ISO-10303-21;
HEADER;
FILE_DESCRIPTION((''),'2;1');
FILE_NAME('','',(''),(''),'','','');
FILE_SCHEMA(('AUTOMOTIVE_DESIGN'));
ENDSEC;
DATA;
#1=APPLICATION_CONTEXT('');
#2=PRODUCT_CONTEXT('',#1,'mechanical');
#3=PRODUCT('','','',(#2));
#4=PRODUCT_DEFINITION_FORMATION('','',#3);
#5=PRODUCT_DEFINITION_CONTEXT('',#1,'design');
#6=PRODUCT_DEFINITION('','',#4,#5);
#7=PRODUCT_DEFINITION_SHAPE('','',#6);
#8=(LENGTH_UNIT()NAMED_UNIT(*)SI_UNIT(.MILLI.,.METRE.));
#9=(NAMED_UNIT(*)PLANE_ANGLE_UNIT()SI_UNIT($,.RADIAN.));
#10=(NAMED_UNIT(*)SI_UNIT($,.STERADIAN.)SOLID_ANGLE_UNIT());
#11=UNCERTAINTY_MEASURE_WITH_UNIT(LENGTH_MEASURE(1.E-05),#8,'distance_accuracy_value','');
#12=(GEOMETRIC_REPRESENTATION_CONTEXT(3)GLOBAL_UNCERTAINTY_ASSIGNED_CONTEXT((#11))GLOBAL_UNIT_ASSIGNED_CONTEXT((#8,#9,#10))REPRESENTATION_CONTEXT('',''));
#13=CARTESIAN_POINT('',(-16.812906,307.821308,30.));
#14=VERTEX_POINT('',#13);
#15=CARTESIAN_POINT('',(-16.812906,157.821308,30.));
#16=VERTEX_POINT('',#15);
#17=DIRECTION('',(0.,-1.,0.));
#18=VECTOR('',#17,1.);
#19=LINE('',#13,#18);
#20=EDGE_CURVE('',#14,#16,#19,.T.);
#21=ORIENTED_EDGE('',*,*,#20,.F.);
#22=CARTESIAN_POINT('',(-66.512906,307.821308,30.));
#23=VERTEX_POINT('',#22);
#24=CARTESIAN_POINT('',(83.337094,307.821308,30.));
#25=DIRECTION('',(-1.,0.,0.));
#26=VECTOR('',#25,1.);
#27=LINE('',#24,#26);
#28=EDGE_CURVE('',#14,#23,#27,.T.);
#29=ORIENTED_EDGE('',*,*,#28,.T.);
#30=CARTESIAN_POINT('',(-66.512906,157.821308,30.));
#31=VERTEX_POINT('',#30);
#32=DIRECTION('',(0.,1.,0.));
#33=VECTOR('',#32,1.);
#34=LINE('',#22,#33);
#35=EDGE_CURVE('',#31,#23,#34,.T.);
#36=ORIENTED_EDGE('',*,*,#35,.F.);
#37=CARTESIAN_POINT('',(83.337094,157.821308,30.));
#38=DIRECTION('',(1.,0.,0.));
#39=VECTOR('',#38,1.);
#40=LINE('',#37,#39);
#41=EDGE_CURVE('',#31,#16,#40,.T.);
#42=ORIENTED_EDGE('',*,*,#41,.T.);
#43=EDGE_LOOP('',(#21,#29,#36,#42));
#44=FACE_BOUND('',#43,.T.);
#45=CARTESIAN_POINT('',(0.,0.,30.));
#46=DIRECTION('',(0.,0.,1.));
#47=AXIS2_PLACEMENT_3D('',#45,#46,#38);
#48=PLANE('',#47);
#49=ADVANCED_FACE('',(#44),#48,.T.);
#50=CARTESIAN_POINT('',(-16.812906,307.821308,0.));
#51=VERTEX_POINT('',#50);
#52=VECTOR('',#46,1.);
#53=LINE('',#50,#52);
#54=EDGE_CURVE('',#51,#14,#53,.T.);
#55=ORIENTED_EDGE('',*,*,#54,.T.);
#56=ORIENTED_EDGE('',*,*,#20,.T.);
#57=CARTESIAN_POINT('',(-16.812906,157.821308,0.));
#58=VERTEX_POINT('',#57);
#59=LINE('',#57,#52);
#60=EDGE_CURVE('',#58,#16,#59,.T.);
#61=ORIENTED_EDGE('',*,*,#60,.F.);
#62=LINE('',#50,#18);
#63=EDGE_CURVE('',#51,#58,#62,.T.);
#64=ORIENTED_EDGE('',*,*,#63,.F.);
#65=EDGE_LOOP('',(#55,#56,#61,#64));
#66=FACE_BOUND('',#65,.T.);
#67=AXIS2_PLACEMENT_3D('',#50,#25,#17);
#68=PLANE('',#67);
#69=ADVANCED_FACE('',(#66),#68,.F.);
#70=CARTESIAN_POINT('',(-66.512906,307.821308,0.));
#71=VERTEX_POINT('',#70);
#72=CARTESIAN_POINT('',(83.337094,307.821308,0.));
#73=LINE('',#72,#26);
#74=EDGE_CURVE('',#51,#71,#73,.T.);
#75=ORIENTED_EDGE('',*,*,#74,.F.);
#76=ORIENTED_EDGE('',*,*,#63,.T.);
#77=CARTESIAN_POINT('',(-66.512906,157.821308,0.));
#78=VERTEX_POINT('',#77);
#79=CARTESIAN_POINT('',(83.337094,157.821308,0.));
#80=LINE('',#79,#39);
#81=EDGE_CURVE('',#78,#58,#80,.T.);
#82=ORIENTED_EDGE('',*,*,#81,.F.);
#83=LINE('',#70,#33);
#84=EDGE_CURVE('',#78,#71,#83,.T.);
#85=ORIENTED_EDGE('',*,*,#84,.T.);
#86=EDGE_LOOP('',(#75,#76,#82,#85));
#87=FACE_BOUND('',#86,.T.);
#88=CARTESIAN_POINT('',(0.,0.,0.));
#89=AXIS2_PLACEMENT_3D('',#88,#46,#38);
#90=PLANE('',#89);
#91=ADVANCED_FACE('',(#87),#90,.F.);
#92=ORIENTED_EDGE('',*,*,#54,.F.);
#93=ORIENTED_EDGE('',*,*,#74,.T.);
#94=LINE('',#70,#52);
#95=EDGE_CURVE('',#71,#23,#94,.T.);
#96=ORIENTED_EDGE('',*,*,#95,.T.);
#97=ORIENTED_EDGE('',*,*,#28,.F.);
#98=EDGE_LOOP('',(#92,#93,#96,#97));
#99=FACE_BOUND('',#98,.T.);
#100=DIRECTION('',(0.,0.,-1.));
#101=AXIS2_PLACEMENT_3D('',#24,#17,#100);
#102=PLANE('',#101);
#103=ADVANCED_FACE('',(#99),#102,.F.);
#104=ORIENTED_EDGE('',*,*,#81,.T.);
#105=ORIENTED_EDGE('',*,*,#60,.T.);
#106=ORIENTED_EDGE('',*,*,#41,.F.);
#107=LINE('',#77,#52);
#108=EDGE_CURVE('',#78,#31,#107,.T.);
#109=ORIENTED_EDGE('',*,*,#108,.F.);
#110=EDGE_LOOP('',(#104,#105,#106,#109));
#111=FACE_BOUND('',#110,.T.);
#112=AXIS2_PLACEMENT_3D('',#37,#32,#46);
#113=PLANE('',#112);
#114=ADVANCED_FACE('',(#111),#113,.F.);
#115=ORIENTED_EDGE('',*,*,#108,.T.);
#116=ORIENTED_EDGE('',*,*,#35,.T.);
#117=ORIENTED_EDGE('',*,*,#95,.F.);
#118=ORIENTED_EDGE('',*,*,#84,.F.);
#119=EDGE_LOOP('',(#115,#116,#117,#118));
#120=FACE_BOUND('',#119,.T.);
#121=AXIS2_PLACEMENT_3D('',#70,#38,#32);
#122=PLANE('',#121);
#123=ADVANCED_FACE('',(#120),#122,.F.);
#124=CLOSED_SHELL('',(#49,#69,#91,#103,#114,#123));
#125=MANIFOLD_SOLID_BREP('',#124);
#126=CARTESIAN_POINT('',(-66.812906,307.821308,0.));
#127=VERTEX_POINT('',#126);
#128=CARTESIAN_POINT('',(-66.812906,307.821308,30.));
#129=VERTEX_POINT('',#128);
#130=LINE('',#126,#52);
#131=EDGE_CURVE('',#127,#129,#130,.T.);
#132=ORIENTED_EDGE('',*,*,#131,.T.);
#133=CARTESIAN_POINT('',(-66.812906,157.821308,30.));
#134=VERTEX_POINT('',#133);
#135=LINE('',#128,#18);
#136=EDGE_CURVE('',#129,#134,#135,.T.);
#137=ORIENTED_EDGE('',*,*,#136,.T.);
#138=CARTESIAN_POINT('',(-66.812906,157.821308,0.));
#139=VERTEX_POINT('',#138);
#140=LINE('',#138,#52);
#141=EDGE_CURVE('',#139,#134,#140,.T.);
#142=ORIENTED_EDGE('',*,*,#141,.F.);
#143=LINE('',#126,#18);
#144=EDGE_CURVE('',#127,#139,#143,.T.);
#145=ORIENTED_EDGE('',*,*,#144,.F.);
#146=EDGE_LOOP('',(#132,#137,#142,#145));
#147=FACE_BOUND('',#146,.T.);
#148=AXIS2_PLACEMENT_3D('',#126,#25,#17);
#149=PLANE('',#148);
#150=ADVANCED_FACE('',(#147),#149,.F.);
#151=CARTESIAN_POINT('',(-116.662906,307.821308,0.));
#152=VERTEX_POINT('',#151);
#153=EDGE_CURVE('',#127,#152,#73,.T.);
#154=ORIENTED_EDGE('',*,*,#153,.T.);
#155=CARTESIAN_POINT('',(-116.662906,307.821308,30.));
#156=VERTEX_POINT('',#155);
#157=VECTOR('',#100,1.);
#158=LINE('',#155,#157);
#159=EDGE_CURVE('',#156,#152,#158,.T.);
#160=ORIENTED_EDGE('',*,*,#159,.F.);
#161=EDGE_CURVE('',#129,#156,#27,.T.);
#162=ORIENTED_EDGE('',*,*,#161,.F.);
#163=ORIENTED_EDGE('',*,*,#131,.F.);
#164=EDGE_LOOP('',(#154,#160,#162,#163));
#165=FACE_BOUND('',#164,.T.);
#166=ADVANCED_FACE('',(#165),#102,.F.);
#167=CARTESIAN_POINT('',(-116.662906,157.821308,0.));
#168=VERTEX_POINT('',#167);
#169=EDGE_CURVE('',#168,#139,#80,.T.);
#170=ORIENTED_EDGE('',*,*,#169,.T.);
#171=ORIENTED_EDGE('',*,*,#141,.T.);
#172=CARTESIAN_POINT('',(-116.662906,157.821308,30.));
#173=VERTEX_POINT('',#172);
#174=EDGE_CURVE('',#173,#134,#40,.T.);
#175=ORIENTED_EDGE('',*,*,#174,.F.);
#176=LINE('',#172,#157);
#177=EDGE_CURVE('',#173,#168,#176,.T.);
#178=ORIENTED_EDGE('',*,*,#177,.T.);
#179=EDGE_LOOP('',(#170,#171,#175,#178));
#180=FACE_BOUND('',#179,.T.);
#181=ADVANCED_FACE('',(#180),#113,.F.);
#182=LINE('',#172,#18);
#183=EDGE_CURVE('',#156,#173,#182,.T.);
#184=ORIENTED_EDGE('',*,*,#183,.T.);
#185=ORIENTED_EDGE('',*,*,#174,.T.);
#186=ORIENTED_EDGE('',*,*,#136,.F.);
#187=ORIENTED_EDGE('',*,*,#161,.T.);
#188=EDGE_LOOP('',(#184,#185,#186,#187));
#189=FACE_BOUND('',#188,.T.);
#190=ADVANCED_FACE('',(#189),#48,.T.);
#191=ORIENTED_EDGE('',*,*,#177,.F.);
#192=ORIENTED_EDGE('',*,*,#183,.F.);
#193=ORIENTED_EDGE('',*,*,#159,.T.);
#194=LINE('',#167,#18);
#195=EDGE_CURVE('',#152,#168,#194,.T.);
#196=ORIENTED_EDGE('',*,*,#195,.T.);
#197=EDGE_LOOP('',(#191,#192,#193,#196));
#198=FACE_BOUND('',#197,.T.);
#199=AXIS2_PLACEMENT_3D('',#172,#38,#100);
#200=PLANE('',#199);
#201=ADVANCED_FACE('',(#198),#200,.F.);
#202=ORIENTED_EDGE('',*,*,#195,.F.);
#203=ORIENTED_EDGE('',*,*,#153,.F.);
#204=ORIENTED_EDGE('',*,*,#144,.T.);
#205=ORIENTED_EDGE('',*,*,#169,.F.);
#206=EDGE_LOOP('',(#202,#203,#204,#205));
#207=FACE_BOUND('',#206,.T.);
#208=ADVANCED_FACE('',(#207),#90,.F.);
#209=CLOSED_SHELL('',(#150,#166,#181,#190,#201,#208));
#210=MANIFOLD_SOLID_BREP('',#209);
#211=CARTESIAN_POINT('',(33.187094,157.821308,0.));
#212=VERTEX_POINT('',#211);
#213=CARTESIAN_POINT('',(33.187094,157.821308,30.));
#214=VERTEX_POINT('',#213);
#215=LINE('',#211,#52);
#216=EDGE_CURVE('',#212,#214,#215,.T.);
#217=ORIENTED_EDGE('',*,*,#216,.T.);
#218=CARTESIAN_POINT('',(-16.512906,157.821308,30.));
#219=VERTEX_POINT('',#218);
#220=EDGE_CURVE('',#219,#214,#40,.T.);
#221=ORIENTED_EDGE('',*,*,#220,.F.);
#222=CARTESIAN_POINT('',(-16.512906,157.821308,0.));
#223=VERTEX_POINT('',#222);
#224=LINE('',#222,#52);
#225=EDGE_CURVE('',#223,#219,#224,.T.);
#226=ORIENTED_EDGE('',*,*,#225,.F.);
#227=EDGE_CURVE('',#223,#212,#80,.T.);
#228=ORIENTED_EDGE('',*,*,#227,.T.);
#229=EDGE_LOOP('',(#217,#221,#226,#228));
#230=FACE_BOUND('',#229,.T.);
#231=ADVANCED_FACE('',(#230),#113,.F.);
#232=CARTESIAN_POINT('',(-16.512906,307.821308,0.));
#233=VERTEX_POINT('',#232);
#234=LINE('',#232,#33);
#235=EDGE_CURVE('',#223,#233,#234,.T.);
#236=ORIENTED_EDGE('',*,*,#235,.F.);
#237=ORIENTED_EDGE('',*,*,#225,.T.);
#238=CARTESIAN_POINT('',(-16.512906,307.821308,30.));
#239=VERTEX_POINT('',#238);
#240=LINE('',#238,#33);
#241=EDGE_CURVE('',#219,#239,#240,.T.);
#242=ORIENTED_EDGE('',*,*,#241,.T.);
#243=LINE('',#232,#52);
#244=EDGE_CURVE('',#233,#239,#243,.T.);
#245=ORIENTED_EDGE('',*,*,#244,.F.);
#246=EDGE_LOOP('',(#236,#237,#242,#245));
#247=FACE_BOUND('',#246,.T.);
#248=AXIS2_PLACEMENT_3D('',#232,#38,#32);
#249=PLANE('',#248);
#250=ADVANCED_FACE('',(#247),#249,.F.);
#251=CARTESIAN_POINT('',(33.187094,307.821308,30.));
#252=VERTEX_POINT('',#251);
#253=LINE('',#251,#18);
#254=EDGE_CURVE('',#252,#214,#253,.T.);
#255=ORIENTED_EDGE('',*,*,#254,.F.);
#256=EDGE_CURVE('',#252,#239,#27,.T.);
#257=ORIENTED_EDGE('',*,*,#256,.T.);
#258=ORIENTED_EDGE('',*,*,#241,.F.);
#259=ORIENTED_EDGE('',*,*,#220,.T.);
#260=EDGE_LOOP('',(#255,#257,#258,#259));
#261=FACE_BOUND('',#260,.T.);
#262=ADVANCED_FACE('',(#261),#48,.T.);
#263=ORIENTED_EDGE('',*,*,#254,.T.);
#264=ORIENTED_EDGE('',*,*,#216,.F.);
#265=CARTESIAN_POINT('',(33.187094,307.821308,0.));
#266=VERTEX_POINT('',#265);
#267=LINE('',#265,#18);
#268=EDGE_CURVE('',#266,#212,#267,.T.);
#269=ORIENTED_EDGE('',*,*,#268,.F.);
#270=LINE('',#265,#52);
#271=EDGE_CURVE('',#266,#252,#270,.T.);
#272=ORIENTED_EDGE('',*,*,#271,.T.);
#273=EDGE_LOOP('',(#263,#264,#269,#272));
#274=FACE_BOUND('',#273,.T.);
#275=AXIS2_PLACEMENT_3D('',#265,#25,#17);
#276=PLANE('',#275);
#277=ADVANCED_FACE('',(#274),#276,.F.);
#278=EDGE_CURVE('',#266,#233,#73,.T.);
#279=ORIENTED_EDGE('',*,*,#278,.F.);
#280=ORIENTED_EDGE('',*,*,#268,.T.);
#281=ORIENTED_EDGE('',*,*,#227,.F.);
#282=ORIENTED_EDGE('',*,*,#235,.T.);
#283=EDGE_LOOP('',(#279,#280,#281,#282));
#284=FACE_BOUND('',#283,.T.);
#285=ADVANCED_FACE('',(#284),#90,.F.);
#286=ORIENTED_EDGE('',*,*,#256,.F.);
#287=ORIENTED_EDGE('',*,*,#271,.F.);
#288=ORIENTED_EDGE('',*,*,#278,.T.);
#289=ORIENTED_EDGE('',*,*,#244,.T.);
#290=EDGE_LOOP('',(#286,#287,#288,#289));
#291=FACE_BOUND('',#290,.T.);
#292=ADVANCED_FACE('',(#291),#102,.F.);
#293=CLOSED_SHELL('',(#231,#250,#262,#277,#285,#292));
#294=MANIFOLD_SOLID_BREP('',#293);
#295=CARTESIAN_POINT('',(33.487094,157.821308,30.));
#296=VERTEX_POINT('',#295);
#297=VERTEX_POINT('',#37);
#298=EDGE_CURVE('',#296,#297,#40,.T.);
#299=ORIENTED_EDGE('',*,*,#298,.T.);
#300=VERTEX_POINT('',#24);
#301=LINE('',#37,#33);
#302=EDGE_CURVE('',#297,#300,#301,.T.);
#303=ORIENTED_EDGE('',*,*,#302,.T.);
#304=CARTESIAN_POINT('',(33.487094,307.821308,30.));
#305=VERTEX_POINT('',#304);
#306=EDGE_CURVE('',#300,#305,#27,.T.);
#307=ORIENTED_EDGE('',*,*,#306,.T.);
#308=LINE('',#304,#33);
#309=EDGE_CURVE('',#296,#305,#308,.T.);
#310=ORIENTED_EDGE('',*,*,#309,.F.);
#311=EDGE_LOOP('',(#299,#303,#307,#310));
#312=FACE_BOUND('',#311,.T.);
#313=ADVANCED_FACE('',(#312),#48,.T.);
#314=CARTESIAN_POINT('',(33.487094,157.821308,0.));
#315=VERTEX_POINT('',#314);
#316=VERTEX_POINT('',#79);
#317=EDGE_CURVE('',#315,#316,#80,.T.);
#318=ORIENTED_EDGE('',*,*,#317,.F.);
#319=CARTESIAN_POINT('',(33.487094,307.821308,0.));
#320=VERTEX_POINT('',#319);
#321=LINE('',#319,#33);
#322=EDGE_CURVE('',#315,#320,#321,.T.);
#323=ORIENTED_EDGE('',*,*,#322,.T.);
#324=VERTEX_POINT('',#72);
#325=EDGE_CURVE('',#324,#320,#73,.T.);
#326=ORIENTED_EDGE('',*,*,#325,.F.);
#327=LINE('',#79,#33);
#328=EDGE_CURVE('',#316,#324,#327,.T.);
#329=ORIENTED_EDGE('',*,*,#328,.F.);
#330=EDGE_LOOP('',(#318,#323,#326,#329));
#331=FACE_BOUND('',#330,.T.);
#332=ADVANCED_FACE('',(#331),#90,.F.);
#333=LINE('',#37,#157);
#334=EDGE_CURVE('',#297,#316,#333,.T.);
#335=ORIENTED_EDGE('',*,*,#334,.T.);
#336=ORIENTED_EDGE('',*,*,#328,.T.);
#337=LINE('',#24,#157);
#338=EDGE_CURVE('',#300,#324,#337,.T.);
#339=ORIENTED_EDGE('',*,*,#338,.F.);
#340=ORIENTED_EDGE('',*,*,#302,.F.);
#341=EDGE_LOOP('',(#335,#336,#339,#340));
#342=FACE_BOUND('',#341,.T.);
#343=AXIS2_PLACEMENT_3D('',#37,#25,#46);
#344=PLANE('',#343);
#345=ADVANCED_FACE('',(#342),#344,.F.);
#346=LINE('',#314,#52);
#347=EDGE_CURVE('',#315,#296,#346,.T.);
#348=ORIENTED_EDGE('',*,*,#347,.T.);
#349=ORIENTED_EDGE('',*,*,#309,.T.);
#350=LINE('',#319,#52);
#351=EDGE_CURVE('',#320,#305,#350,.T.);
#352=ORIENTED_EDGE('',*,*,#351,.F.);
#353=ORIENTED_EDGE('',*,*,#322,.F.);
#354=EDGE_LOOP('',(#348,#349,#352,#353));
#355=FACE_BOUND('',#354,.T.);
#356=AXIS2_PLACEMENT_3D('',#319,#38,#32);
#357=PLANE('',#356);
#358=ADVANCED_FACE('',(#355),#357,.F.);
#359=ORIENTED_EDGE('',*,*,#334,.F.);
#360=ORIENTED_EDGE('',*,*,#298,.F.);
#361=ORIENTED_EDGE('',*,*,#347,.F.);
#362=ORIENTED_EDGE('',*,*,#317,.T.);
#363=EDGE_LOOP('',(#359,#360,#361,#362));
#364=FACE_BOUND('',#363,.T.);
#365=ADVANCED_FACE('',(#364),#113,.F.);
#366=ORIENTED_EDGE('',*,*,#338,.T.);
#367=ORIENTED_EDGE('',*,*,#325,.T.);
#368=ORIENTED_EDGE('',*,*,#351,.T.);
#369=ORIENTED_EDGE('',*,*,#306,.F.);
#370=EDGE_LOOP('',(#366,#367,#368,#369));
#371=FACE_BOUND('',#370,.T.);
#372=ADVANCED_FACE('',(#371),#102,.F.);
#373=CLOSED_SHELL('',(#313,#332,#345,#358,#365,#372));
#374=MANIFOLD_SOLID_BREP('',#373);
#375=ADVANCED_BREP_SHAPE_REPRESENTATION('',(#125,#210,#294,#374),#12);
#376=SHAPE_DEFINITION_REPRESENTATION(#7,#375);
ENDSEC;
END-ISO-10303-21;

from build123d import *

# Parameters (mm, degrees)
SKETCH1_W           = 200
SKETCH1_H           = 150
BOSS_EXTRUDE1_DEPTH = 30
SKETCH2_W           = 0.3
SKETCH2_H           = 150
CUT_EXTRUDE1_DEPTH  = 331.551344976


with BuildPart() as part:
    # Sketch1 → Boss-Extrude1 (new body)
    with BuildSketch(Plane.XY):
        with Locations((-16.662906366, 232.821308462)):
            Rectangle(SKETCH1_W, SKETCH1_H)
    extrude(amount=BOSS_EXTRUDE1_DEPTH)

    # Sketch2 → Cut-Extrude1 (cut, through all)
    with BuildSketch(Plane.XY.offset(30)):
        with Locations((-66.662906366, 232.821308462)):
            Rectangle(SKETCH2_W, SKETCH2_H)
        with Locations((-16.662906366, 232.821308462)):
            Rectangle(SKETCH2_W, SKETCH2_H)
        with Locations((33.337093634, 232.821308462)):
            Rectangle(SKETCH2_W, SKETCH2_H)
    extrude(amount=-CUT_EXTRUDE1_DEPTH, mode=Mode.SUBTRACT)


with BuildPart() as cut_extrude1_piece_1:
    # of the separate pieces the step leaves, piece 1, a body of its own (cut_extrude1_pieces)
    add(part.part.solids().sort_by_distance((-66.812906366, 157.821308462, 0))[0])


with BuildPart() as cut_extrude1_piece_2:
    # of the separate pieces the step leaves, piece 2, a body of its own (cut_extrude1_pieces)
    add(part.part.solids().sort_by_distance((83.337093634, 157.821308462, 0))[0])


with BuildPart() as cut_extrude1_piece_3:
    # of the separate pieces the step leaves, piece 3, a body of its own (cut_extrude1_pieces)
    add(part.part.solids().sort_by_distance((-16.812906366, 157.821308462, 0))[0])


with BuildPart() as cut_extrude1_piece_4:
    # of the separate pieces the step leaves, piece 4, a body of its own (cut_extrude1_pieces)
    add(part.part.solids().sort_by_distance((33.187093634, 157.821308462, 0))[0])


solid = Compound([cut_extrude1_piece_1.part, cut_extrude1_piece_2.part, cut_extrude1_piece_3.part, cut_extrude1_piece_4.part])
